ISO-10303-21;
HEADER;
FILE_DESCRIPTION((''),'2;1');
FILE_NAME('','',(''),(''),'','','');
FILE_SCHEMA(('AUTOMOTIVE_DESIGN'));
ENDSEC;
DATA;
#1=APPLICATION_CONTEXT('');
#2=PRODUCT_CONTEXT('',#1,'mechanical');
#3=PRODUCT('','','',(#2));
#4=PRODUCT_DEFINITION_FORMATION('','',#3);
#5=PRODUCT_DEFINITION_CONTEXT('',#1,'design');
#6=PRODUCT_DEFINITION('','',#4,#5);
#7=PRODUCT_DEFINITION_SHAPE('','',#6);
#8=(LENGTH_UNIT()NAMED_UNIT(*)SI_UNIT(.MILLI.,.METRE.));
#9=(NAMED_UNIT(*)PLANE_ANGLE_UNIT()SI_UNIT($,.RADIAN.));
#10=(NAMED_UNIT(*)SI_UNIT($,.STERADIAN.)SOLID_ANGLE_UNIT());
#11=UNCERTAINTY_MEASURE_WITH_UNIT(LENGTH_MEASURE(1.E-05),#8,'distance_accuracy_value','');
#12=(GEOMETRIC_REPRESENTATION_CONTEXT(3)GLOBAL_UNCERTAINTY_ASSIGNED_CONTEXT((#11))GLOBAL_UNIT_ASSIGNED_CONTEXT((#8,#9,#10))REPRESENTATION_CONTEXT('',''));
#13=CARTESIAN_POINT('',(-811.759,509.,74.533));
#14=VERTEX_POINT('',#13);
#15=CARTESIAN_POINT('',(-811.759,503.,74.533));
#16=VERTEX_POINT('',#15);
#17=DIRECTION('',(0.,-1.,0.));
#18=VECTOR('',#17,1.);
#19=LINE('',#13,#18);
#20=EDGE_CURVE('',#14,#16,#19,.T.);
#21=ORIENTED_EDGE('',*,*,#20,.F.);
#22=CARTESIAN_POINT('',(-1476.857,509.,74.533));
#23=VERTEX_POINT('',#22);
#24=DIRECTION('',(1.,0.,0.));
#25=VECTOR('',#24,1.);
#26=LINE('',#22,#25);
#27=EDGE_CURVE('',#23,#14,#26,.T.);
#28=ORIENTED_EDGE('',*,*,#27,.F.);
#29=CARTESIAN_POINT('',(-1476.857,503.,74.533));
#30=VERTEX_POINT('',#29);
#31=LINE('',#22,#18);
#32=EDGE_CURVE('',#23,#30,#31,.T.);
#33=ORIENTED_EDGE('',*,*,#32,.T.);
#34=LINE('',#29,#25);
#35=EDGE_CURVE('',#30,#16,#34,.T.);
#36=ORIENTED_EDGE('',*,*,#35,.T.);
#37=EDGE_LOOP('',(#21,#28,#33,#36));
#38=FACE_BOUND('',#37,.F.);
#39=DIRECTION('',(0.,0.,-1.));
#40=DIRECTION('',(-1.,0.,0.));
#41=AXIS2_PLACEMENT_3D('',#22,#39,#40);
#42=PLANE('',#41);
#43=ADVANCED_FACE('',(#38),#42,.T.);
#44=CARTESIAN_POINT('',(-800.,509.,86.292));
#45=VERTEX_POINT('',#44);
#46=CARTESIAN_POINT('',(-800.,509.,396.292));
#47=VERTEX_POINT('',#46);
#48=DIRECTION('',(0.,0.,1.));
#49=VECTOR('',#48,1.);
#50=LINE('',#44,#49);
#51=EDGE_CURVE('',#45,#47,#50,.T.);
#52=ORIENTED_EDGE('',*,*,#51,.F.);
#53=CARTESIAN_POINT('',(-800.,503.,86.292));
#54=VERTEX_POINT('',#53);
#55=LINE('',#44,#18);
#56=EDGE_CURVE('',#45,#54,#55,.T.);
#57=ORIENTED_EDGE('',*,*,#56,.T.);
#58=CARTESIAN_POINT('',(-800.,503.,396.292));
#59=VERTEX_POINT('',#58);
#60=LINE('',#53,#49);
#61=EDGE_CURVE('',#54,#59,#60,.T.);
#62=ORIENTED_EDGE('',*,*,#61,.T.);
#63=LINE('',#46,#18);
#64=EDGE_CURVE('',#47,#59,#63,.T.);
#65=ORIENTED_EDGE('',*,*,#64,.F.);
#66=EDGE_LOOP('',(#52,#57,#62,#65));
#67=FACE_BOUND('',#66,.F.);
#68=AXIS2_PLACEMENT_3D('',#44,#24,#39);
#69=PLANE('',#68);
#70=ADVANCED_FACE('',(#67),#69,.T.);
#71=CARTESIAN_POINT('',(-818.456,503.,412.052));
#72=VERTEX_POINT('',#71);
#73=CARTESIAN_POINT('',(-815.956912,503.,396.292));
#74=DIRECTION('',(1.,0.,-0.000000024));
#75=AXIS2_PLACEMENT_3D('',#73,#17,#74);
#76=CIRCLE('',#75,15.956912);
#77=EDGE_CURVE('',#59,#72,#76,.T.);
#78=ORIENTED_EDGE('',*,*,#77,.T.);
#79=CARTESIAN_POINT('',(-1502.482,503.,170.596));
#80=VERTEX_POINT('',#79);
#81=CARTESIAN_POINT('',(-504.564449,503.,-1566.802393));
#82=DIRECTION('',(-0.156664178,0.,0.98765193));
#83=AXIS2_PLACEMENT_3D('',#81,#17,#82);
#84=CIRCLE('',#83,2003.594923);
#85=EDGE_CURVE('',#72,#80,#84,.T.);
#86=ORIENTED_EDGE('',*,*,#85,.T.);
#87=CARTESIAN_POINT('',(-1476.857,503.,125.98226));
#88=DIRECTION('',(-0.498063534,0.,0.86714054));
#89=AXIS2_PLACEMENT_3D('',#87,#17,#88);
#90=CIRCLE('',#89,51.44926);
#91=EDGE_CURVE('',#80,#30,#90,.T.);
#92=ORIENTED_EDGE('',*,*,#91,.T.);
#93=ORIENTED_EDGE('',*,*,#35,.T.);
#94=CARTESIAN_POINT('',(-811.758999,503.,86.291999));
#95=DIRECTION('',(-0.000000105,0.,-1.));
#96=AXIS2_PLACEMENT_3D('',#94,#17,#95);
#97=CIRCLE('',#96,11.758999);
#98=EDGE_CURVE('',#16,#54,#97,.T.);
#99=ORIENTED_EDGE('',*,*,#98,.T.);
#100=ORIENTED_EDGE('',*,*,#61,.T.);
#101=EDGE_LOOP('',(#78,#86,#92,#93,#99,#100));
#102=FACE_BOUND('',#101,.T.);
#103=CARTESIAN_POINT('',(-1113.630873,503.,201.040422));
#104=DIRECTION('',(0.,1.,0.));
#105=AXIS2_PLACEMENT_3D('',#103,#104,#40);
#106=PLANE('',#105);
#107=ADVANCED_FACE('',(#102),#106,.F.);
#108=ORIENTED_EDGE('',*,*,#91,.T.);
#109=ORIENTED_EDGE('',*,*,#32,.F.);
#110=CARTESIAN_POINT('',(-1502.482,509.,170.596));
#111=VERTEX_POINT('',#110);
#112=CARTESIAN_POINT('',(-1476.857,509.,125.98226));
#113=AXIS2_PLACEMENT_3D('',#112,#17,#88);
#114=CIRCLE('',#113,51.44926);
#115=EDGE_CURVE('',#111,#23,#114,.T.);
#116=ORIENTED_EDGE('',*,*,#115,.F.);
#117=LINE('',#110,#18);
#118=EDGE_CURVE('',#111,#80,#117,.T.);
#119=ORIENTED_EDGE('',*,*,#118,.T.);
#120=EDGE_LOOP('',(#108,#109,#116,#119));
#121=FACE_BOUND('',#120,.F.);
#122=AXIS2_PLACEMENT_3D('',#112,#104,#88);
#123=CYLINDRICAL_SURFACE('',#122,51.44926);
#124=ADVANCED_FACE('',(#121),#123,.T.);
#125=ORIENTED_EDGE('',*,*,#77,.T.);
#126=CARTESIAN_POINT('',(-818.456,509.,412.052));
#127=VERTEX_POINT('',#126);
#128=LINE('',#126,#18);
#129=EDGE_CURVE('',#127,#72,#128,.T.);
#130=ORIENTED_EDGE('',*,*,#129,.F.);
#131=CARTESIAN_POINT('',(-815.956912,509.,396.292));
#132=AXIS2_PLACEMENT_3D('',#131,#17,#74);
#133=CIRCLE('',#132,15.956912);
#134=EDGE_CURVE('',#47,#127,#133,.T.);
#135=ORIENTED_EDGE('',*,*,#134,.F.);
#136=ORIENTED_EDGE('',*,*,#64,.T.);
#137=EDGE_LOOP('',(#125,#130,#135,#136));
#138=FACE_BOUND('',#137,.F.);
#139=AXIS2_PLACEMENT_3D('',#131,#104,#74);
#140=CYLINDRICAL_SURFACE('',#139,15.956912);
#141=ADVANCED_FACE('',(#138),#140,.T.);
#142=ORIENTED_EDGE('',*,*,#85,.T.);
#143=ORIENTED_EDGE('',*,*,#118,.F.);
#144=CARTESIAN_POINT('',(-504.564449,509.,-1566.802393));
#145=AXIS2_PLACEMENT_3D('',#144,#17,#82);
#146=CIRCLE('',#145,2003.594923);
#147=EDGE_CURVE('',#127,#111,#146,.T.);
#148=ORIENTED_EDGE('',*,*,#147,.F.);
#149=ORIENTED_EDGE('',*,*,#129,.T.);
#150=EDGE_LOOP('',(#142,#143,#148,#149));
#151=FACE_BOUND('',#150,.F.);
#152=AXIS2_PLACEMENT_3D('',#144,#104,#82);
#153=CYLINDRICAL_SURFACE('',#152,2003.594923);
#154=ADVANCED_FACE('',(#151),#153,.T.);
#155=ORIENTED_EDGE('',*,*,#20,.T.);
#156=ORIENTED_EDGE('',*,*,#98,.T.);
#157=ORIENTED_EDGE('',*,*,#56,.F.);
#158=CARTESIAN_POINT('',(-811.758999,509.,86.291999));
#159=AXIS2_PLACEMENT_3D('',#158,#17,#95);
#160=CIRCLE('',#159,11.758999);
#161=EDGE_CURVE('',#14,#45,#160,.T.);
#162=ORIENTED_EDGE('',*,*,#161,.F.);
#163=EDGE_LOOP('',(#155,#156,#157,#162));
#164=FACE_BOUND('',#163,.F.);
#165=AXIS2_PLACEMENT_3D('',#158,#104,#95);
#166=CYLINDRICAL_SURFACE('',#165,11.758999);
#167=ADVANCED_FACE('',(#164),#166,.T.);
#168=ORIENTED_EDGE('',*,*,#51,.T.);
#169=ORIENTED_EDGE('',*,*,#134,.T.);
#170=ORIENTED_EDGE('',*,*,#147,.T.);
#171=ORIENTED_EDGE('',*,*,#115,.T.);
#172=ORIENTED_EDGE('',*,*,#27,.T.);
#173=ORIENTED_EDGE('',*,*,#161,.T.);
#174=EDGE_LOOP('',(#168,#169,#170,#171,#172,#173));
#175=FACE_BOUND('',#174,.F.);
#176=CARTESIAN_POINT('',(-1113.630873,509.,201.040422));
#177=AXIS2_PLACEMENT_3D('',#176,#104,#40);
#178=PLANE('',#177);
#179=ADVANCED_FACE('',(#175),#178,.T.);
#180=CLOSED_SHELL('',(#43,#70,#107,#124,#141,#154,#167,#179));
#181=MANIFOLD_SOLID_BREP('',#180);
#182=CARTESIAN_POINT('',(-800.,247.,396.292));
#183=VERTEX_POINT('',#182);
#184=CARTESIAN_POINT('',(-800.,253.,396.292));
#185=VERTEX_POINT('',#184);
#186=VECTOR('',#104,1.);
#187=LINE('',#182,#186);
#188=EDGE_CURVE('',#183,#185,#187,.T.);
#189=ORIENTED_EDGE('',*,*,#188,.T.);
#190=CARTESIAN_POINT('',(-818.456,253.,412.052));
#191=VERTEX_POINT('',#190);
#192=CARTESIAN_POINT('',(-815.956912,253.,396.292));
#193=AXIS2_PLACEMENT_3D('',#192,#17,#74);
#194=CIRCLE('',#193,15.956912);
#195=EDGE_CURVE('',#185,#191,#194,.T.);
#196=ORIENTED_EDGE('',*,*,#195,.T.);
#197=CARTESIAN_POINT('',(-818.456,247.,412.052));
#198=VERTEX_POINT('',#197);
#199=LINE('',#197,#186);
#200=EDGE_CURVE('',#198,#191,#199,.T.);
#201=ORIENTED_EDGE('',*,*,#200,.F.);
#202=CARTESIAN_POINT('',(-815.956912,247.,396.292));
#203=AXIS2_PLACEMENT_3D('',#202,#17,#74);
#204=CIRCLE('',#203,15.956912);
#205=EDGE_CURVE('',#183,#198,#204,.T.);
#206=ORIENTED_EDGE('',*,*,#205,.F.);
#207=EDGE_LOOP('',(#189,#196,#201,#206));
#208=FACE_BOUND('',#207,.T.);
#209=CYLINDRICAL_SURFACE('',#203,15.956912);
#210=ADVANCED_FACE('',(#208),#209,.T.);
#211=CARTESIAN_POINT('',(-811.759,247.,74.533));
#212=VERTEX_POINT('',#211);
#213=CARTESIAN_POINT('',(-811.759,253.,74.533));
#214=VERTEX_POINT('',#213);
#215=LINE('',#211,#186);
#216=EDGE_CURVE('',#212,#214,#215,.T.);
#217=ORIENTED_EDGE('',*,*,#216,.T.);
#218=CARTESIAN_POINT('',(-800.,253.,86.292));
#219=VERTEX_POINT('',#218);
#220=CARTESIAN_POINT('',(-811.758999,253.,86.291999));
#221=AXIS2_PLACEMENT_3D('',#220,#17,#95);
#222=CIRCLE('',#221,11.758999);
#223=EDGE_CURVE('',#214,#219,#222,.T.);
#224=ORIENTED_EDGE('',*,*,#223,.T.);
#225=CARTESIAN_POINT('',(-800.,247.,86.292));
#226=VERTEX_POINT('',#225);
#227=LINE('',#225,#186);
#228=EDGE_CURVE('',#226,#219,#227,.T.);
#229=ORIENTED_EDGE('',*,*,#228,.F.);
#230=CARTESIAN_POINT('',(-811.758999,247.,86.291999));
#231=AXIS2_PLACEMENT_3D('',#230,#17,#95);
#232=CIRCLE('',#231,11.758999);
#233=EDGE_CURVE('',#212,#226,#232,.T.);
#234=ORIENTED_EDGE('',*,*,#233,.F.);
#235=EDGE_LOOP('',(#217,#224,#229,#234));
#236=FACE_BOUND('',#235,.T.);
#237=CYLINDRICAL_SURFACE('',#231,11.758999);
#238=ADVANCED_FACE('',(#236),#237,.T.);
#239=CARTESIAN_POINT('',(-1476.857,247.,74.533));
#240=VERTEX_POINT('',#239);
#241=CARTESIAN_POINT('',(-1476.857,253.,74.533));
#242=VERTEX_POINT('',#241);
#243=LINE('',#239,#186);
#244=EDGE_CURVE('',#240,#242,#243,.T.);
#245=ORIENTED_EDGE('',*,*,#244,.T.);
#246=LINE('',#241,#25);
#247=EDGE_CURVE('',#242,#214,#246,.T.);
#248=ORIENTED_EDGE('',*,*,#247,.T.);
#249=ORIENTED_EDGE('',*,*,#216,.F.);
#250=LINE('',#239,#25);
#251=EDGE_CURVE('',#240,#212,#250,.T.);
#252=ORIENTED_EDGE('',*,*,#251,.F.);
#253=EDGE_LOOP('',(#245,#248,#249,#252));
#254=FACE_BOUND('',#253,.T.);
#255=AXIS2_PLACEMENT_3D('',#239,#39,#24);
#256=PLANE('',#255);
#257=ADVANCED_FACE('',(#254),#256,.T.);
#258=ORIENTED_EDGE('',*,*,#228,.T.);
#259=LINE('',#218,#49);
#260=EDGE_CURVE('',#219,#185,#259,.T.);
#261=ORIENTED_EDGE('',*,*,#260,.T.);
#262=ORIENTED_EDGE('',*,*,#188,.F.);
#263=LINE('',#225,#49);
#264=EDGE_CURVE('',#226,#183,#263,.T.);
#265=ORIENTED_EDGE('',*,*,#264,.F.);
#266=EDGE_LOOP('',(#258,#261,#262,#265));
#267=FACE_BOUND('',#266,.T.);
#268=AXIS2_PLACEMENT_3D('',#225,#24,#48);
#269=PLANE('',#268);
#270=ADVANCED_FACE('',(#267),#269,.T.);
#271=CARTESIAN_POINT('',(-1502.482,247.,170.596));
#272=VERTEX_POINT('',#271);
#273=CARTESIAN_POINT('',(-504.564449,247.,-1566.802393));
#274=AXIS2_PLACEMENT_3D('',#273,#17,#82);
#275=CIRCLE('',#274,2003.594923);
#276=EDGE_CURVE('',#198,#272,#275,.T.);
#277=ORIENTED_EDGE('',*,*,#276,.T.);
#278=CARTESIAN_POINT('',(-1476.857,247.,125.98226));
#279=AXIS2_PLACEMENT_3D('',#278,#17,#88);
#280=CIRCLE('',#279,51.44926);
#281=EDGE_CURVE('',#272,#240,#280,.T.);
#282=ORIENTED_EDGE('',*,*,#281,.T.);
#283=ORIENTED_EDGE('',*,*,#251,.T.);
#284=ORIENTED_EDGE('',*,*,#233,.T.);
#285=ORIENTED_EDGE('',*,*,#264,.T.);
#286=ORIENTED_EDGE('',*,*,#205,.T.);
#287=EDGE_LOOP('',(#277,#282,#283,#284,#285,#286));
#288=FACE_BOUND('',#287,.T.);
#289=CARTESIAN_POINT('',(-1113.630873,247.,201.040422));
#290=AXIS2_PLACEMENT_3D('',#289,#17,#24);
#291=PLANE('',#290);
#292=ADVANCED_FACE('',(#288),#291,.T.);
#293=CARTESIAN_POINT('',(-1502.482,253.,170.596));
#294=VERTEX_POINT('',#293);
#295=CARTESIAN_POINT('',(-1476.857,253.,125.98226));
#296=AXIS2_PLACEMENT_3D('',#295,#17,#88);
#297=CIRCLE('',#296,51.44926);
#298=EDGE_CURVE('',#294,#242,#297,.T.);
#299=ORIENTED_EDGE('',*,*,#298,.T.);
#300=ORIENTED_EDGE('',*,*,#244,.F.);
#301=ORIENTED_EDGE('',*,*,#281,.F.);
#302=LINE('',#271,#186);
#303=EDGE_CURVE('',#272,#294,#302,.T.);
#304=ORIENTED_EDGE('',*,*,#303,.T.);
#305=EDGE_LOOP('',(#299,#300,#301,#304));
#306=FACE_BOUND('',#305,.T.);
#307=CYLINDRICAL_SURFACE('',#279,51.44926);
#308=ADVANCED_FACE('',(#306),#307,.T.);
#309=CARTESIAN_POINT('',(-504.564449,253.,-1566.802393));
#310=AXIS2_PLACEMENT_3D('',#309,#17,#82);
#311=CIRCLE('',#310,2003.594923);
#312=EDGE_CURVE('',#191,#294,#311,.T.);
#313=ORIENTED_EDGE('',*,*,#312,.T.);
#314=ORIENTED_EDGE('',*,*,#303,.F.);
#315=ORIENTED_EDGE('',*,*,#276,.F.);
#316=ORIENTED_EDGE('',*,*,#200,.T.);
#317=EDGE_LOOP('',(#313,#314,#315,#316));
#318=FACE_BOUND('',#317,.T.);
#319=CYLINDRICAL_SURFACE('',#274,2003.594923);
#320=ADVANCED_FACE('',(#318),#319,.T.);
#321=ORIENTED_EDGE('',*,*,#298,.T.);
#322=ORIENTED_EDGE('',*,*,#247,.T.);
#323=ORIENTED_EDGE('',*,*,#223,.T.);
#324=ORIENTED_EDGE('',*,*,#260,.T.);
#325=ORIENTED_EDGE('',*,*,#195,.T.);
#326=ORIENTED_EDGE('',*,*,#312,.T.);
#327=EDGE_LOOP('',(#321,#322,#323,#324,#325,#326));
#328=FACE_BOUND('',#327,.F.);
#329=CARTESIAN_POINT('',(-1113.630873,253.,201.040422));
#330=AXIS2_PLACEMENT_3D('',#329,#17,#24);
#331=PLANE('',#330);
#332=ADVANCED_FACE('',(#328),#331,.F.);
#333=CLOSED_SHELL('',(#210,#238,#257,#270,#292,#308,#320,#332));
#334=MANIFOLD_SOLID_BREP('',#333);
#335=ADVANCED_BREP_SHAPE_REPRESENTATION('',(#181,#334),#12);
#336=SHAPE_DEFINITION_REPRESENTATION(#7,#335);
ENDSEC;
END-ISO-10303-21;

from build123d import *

# Parameters (mm, degrees)
F2_DEPTH = 6


with BuildPart() as f2:
    # F1 (on offset) → F2 (new body)
    with BuildSketch(Plane.XZ.offset(-247)):
        with BuildLine():
            Line((-1476.857, 74.533), (-811.759, 74.533))
            ThreePointArc((-811.759, 74.533), (-803.444131, 77.977131), (-800, 86.292))
            Line((-800, 86.292), (-800, 396.292))
            ThreePointArc((-800, 396.292), (-805.594834, 408.426677), (-818.456, 412.052))
            ThreePointArc((-818.456, 412.052), (-1171.487256, 322.537858), (-1502.482, 170.596))
            ThreePointArc((-1502.482, 170.596), (-1526.568016, 112.721746), (-1476.857, 74.533))
        make_face()
    extrude(amount=-F2_DEPTH)


with BuildPart() as f4_1:
    # F4: instance of F2
    add(f2.part.mirror(Plane.XZ.offset(-378)))


solid = Compound([f2.part, f4_1.part])
